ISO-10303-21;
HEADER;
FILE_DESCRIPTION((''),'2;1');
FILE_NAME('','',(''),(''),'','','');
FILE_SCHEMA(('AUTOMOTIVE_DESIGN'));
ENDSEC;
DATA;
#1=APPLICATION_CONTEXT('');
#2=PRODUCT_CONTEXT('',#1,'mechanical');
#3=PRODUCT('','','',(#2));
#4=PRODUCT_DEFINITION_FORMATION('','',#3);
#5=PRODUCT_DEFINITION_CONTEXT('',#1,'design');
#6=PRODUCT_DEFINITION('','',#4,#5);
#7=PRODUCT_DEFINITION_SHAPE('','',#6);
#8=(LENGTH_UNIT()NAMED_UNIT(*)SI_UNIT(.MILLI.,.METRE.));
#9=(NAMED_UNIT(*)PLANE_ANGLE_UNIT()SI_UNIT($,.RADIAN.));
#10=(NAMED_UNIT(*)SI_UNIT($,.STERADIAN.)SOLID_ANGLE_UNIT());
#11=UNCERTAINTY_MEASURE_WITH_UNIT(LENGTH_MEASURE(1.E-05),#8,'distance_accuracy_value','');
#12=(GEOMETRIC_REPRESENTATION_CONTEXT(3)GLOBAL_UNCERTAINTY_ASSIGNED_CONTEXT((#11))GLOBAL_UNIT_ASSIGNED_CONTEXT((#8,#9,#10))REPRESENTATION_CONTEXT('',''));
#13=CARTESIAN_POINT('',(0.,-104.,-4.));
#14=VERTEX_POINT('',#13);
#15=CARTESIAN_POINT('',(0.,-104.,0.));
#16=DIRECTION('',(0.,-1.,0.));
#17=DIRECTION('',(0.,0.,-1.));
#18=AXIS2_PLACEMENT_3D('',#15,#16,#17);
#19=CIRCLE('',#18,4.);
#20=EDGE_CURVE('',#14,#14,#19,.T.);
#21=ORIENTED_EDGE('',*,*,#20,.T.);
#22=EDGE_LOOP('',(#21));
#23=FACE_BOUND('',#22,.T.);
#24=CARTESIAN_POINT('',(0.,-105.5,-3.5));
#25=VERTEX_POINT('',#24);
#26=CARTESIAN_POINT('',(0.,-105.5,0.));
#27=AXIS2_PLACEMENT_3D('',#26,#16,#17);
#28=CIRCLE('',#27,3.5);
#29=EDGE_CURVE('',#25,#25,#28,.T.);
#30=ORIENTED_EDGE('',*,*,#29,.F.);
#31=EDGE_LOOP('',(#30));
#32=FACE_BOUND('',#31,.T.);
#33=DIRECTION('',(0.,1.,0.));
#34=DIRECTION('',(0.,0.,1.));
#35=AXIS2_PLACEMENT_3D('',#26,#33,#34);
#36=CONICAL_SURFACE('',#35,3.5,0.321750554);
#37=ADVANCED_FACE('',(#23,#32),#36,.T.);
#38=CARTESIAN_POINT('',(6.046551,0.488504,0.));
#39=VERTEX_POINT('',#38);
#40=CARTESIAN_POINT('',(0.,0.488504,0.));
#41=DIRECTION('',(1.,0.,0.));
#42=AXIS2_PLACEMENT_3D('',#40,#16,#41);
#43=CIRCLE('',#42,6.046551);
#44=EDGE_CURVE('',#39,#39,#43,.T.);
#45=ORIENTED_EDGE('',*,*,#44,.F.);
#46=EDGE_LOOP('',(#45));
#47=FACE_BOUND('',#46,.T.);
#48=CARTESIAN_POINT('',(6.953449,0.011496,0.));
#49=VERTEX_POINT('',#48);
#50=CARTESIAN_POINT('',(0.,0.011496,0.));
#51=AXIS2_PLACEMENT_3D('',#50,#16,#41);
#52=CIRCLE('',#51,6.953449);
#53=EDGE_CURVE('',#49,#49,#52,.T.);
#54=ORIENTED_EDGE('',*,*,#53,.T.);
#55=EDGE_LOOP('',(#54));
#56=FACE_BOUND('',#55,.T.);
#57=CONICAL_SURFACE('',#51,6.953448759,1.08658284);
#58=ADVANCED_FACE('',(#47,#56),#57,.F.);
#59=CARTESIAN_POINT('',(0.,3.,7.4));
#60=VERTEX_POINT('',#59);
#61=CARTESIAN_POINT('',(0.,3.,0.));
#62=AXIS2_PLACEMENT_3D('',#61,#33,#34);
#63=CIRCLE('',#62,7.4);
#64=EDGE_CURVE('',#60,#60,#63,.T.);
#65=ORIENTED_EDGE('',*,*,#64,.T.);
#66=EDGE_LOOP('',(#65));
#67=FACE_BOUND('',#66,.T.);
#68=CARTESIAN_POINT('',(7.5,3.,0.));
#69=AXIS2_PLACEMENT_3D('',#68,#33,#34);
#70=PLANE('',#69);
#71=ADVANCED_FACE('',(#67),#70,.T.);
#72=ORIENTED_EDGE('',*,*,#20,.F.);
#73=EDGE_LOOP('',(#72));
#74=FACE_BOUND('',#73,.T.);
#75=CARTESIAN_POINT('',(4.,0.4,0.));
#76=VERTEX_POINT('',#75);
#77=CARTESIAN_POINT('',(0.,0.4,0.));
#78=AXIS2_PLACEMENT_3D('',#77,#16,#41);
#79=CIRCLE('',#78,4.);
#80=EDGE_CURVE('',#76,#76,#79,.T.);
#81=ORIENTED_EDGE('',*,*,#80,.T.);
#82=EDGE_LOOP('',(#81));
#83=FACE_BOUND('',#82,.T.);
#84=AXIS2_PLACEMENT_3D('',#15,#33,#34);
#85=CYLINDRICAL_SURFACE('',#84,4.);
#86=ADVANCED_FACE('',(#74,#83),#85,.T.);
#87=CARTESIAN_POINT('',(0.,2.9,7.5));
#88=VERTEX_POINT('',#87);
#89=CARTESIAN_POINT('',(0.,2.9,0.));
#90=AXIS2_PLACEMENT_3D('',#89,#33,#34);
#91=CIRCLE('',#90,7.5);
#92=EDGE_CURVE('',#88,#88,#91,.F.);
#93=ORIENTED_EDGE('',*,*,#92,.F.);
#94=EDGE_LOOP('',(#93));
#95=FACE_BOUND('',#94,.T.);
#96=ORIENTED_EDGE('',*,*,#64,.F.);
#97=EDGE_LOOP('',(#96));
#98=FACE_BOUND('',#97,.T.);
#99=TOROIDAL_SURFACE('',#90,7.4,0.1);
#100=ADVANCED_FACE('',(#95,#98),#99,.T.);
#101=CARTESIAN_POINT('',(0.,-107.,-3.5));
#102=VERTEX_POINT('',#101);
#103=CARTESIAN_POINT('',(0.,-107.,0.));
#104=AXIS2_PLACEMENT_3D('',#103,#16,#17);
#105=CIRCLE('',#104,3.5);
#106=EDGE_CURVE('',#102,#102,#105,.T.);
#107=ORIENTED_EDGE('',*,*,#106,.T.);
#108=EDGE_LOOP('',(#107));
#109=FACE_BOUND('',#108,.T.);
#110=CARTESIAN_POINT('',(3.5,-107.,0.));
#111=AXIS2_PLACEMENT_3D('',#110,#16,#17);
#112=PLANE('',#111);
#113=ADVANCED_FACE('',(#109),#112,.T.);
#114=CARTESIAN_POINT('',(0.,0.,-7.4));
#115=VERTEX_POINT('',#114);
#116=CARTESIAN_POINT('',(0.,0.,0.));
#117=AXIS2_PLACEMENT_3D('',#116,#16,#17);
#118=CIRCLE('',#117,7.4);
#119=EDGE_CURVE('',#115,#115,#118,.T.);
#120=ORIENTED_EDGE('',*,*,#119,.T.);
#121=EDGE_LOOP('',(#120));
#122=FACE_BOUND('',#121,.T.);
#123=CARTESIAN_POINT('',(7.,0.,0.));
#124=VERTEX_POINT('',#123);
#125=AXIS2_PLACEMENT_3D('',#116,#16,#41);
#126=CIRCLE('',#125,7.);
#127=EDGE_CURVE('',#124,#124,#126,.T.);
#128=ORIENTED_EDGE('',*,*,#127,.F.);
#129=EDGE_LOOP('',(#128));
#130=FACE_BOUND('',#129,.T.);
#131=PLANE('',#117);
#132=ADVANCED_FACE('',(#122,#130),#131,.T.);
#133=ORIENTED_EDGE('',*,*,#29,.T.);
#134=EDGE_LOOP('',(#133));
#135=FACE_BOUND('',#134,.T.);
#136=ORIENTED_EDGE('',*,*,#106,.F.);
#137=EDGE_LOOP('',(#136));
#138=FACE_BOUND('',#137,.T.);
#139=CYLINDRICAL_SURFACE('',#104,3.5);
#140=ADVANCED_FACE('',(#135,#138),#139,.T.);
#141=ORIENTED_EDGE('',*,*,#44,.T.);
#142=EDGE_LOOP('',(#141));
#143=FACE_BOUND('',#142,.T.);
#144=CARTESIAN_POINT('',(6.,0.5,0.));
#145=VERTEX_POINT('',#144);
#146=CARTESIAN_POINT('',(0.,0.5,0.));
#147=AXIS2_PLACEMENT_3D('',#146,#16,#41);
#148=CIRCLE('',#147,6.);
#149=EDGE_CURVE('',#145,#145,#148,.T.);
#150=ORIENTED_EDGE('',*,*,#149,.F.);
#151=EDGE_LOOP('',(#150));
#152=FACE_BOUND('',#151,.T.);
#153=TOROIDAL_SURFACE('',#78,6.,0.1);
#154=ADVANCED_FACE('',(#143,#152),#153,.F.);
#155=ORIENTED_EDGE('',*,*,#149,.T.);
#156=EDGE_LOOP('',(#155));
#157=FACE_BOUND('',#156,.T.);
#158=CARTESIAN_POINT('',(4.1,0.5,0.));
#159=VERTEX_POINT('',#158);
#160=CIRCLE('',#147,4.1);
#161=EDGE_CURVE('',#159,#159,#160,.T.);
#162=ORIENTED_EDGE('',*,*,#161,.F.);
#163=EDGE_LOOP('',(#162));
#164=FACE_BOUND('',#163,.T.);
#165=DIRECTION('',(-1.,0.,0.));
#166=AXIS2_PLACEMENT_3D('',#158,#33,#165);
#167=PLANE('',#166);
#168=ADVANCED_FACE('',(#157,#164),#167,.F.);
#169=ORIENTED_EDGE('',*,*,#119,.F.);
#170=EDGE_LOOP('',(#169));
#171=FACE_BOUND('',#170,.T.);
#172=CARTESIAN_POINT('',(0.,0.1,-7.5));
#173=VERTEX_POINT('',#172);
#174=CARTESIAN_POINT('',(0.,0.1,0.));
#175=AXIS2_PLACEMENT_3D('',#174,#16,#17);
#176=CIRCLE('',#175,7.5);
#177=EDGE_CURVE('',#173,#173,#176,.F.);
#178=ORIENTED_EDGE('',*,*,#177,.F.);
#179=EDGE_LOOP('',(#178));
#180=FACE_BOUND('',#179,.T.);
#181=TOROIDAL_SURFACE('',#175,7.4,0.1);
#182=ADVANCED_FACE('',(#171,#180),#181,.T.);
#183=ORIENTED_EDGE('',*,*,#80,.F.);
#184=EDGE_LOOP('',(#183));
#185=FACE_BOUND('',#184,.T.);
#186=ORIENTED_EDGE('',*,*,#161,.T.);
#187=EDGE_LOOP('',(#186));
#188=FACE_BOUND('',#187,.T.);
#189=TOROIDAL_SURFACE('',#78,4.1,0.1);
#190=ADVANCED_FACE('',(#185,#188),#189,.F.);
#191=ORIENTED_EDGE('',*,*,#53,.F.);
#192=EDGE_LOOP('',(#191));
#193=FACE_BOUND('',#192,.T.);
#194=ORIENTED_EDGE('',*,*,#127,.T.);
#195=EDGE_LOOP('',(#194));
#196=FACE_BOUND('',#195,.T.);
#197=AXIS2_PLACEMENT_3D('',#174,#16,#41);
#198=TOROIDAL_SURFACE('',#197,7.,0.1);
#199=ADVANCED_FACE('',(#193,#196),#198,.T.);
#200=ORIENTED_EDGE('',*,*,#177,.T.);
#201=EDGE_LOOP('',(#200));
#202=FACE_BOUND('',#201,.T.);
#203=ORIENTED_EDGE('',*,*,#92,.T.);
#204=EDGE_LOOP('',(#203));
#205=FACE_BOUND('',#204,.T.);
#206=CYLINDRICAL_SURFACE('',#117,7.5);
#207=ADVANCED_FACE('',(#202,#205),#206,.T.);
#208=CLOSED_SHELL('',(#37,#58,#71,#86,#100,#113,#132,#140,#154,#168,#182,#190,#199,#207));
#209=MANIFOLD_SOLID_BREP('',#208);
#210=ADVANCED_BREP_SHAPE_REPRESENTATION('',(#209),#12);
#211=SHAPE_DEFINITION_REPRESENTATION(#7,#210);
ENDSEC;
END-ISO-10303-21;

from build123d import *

# Parameters (mm, degrees)
MAINBODYS_R    = 4
MAINBODY_DEPTH = 104
HEADS_W        = 7.5
HEADS_H        = 3
HEADFILLET_R   = 0.1


with BuildPart() as part:
    # MainBodyS → MainBody (new body)
    with BuildSketch(Plane(origin=(0, 0, 0), x_dir=(1, 0, 0), z_dir=(0, 1, 0))):
        Circle(MAINBODYS_R)
    extrude(amount=-MAINBODY_DEPTH)

    # HeadS → Head (revolve)
    with BuildSketch(Plane.XY):
        with Locations((3.75, 1.5)):
            Rectangle(HEADS_W, HEADS_H)
    revolve(axis=Axis((0, 0, 0), (0, 1, 0)))

    # HeadIndentS → HeadIndent (revolve, cut)
    with BuildSketch(Plane.XY):
        with BuildLine():
            Line((4, 0), (4, 0.4))
            ThreePointArc((4, 0.4), (4.029289322, 0.470710678), (4.1, 0.5))
            Line((4.1, 0.5), (6, 0.5))
            ThreePointArc((6, 0.5), (6.023974846, 0.497083504), (6.046551241, 0.488504135))
            Line((6.046551241, 0.488504135), (6.953448759, 0.011495865))
            ThreePointArc((6.953448759, 0.011495865), (6.976025154, 0.002916496), (7, 0))
            Line((7, 0), (4, 0))
        make_face()
    revolve(axis=Axis((0, 0, 0), (0, 1, 0)), mode=Mode.SUBTRACT)

    # BottomTipS → BottomTip (revolve)
    with BuildSketch(Plane.XY):
        Polygon((4, -104), (3.5, -105.5), (3.5, -107), (0, -107), (0, -104), align=None)
    revolve(axis=Axis((0, -107, 0), (0, 1, 0)))

    # HeadFillet
    headfillet_edges = [part.edges().sort_by_distance(p)[0] for p in [
        (-7.5, 0, 0),
        (-7.5, 3, 0),
    ]]
    fillet(headfillet_edges, radius=HEADFILLET_R)


solid = part.part
